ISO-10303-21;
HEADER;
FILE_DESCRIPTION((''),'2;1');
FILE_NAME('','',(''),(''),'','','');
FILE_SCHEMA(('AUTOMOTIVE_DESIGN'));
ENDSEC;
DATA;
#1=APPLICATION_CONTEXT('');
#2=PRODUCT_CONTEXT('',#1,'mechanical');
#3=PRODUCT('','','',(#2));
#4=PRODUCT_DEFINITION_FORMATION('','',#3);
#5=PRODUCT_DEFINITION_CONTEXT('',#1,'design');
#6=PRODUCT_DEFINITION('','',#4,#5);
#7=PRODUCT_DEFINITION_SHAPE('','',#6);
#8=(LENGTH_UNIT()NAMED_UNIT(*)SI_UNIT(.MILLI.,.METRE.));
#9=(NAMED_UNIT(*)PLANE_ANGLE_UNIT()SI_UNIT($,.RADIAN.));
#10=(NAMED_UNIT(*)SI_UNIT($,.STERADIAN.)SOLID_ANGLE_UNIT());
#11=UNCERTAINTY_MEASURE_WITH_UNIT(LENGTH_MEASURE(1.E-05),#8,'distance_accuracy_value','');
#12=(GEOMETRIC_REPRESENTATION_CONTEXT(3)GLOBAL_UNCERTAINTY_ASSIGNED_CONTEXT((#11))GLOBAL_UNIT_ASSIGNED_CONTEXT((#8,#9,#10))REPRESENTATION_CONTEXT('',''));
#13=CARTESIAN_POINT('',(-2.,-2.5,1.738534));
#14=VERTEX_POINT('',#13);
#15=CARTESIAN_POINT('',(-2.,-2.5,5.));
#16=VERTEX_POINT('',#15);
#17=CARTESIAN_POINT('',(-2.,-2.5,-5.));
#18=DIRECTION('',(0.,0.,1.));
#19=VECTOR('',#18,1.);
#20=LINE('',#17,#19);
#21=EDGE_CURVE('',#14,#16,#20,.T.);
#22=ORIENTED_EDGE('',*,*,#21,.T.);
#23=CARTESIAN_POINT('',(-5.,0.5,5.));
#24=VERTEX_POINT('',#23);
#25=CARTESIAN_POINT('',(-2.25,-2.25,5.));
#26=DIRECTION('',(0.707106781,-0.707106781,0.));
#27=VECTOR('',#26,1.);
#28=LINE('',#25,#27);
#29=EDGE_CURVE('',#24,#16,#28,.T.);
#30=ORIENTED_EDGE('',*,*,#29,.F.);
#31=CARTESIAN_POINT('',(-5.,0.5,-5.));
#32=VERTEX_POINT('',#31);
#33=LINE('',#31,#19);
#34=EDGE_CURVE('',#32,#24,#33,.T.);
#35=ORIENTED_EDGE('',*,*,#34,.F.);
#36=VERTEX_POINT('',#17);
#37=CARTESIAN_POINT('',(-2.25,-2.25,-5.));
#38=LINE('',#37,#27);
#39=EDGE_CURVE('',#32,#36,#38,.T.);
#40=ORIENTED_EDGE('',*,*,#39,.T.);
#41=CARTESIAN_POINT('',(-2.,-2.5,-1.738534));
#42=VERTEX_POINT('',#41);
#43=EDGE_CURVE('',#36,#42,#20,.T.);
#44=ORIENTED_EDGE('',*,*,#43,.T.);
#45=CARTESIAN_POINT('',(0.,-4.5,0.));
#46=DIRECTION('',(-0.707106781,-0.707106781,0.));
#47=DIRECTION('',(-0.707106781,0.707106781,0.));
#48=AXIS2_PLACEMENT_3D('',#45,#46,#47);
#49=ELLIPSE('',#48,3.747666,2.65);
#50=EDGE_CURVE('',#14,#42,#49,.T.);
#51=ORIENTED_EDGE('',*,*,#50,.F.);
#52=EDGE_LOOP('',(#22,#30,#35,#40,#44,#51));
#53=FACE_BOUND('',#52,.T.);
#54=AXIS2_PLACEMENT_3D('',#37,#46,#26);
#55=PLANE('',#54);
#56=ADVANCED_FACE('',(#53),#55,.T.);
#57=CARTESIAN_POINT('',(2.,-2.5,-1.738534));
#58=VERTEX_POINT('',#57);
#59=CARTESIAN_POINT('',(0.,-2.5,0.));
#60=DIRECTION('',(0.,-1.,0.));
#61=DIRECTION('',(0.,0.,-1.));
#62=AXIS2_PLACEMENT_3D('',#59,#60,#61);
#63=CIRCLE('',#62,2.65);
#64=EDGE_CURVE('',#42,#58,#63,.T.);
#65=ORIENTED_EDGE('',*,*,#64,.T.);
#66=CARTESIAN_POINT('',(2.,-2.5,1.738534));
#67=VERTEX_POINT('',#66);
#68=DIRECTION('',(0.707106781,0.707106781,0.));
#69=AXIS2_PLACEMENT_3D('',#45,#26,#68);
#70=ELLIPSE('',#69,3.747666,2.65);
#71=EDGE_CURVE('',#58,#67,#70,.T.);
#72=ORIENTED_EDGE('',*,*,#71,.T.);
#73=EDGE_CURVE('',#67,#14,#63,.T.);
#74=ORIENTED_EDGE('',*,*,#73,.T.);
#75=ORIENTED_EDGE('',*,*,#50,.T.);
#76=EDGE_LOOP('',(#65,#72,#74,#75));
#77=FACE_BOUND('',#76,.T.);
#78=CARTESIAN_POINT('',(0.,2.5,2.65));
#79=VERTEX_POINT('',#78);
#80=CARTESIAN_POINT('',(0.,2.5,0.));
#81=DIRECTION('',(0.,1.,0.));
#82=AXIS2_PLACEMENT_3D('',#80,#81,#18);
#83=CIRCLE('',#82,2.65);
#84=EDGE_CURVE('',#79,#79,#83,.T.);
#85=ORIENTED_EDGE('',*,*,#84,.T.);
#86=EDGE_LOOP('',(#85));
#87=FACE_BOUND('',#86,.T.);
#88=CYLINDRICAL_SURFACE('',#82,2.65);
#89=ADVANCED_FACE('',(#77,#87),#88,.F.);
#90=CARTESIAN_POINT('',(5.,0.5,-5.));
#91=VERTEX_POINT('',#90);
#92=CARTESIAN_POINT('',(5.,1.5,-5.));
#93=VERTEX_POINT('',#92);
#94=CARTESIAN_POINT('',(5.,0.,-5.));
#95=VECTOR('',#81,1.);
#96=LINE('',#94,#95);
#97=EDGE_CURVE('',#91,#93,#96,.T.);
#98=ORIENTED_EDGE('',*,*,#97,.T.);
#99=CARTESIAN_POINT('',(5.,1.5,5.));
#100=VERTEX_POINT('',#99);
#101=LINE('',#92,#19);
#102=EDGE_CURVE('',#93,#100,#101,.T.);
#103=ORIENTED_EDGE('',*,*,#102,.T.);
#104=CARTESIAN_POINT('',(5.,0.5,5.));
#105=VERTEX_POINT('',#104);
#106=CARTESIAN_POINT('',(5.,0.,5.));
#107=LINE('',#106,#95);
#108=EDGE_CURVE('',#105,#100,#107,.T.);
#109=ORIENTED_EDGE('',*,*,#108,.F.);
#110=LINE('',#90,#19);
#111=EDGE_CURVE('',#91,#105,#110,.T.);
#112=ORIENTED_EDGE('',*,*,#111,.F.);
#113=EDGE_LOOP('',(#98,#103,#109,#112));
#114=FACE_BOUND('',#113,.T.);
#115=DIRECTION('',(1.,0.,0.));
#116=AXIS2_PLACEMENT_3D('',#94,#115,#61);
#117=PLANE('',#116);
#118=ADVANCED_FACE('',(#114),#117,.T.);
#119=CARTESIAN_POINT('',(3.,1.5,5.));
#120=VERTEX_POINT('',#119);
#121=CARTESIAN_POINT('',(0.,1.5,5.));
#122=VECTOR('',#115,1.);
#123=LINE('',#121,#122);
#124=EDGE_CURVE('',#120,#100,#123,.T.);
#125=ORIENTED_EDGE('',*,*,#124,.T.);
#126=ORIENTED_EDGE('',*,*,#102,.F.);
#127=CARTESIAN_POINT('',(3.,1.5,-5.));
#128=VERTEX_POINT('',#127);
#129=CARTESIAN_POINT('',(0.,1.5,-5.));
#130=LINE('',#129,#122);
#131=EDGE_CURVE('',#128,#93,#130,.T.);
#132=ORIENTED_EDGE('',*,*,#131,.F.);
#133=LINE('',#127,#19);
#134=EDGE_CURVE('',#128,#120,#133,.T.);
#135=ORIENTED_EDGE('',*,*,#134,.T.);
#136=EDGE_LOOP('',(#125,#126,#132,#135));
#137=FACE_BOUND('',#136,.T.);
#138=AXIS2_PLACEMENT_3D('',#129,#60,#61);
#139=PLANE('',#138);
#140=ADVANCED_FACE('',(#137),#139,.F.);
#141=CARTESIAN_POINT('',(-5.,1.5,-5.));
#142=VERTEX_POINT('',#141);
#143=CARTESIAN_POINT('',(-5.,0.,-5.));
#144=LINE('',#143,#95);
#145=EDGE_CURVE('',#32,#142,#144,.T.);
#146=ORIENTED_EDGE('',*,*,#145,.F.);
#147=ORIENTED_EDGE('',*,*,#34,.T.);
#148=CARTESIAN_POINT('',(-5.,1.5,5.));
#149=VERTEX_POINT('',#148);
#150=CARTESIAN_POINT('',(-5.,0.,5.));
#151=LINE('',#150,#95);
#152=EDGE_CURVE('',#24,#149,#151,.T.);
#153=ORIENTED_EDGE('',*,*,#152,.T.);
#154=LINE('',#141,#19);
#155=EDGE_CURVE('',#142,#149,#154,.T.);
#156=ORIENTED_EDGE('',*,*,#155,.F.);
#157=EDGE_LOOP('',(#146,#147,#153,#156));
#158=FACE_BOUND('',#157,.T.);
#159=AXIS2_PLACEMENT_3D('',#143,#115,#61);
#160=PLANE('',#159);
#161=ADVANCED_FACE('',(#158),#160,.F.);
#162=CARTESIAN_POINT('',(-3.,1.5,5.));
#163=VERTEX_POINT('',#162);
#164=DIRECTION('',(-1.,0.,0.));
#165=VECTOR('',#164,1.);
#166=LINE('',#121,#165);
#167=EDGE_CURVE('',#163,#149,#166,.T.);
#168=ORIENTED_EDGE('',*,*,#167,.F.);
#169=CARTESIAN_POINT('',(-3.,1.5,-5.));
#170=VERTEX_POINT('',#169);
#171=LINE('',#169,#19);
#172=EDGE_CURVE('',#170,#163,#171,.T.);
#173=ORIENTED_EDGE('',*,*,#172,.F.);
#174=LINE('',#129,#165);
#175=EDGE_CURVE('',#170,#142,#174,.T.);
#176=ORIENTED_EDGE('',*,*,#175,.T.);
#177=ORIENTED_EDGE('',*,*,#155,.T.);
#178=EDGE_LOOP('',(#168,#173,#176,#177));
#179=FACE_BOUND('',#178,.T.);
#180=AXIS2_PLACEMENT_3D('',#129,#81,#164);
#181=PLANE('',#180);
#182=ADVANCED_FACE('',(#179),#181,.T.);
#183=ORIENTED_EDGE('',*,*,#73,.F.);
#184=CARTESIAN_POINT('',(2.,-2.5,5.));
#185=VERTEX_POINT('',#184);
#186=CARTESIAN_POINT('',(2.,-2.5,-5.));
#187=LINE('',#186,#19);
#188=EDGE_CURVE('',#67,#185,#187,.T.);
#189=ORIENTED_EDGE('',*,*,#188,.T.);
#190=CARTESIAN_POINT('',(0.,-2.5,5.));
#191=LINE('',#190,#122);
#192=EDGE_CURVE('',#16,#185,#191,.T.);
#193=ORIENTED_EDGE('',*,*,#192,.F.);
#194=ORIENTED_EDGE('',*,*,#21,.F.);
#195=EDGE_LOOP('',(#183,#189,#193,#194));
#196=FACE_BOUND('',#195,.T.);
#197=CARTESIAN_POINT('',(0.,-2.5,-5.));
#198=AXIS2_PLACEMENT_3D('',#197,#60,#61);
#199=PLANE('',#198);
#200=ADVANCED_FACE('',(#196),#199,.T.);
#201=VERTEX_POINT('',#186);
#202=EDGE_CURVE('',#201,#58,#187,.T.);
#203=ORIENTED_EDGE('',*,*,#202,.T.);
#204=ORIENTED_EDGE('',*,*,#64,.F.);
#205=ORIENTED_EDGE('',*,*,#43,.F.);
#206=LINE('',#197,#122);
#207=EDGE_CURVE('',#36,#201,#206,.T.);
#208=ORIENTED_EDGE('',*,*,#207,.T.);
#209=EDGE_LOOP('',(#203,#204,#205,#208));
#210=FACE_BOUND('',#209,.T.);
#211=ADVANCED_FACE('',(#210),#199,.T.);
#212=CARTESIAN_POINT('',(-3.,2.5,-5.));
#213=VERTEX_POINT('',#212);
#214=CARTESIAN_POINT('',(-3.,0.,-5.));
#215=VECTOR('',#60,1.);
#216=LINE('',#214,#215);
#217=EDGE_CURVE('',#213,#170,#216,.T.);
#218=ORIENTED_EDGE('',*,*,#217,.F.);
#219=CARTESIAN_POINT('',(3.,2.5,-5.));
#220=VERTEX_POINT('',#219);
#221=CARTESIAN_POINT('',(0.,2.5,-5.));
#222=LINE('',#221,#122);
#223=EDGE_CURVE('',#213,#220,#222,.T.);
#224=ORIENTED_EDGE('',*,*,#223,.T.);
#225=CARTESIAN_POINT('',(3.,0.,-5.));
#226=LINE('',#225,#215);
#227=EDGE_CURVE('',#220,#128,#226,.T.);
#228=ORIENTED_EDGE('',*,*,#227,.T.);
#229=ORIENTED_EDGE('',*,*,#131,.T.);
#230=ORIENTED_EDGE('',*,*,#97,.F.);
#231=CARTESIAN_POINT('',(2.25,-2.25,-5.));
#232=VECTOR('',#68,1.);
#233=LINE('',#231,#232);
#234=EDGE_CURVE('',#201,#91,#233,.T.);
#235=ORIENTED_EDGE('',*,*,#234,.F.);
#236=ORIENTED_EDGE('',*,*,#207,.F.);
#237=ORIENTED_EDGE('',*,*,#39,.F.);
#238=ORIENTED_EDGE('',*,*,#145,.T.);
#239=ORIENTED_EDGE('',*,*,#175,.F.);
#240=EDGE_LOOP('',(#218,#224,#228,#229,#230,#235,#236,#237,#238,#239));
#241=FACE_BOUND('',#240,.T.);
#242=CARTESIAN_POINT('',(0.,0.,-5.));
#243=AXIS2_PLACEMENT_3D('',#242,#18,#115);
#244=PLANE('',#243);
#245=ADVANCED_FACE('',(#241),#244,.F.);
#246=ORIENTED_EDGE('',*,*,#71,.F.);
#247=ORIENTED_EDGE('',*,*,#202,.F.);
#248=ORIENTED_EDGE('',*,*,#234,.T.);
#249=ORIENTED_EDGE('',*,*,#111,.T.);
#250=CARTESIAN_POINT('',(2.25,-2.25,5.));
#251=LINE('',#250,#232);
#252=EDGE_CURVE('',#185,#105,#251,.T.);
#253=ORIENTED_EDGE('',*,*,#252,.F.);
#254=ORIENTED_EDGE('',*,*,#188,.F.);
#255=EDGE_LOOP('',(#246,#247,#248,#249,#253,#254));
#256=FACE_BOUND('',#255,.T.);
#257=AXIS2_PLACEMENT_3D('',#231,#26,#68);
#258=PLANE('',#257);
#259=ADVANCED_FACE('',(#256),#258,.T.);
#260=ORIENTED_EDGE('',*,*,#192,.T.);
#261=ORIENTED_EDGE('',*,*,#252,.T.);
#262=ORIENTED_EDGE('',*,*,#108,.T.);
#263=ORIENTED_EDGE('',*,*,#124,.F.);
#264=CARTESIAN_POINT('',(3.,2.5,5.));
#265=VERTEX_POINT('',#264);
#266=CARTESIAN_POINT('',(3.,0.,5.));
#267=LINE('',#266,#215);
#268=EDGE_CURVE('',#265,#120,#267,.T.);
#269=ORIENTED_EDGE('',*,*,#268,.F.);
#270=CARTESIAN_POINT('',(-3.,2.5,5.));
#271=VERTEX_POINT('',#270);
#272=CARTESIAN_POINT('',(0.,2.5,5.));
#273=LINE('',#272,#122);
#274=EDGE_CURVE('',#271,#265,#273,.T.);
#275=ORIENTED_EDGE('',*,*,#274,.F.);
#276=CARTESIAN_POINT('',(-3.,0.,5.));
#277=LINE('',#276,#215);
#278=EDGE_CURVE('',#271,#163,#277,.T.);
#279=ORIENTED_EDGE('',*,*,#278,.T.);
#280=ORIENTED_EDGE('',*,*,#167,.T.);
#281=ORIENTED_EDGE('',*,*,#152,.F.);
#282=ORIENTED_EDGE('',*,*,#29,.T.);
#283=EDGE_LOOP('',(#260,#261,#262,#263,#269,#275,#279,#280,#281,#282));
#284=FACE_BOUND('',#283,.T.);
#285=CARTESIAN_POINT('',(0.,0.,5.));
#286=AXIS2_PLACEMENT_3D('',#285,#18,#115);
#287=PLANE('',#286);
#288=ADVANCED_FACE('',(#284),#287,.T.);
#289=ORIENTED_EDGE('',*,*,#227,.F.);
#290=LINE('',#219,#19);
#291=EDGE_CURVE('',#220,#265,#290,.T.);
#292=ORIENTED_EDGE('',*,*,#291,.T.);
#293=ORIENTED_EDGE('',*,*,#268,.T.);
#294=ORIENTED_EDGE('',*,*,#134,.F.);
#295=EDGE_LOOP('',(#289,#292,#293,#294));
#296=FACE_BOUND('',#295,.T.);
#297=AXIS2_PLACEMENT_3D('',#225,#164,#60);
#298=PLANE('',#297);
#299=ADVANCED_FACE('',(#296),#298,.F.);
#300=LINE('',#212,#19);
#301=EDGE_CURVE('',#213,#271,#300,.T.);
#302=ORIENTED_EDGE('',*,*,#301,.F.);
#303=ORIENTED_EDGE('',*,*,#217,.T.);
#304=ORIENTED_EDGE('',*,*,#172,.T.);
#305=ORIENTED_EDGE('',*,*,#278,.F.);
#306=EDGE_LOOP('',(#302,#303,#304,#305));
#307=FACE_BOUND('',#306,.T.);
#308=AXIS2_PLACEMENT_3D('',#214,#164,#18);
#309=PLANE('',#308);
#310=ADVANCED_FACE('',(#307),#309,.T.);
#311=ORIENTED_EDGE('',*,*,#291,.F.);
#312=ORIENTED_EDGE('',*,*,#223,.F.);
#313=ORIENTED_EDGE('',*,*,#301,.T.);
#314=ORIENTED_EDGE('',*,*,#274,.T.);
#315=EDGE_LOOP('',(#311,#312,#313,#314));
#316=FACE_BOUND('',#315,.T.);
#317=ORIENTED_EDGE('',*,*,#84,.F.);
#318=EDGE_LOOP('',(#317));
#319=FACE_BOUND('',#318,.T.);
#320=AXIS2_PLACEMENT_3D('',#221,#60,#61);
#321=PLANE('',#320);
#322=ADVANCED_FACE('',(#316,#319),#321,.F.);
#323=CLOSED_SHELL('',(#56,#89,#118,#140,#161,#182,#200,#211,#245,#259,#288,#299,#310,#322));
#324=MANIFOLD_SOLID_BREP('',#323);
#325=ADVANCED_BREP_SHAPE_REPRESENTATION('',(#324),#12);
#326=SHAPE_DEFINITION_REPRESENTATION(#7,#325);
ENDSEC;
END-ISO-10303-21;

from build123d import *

# Parameters (mm, degrees)
BOSS_EXTRUDE1_DEPTH      = 5
BOSS_EXTRUDE1_DEPTH_BACK = 5
M5_CLEARANCE_HOLE1_D     = 5.3
M5_CLEARANCE_HOLE1_DEPTH = 23.08
M5_CLEARANCE_HOLE1_TIP   = 1.59228064


with BuildPart() as part:
    # Sketch1 → Boss-Extrude1 (new, two sides: drawn at the far end of the back side and taken through both)
    with BuildSketch(Plane.XY.offset(-BOSS_EXTRUDE1_DEPTH_BACK)):
        Polygon((3, 2.5), (-3, 2.5), (-3, 1.5), (-5, 1.5), (-5, 0.5), (-2, -2.5), (2, -2.5), (5, 0.5), (5, 1.5), (3, 1.5), align=None)
    extrude(amount=BOSS_EXTRUDE1_DEPTH + BOSS_EXTRUDE1_DEPTH_BACK)

    # M5 Clearance Hole1
    with Locations(Plane(origin=(0, 2.5, 0), x_dir=(1, 0, 0), z_dir=(0, 1, 0))):
        with Locations((0, 0)):
            Hole(M5_CLEARANCE_HOLE1_D / 2, depth=M5_CLEARANCE_HOLE1_DEPTH)
            with Locations((0, 0, -(M5_CLEARANCE_HOLE1_DEPTH + M5_CLEARANCE_HOLE1_TIP / 2))):  # 118° drill point
                Cone(0, M5_CLEARANCE_HOLE1_D / 2, M5_CLEARANCE_HOLE1_TIP, mode=Mode.SUBTRACT)


solid = part.part
